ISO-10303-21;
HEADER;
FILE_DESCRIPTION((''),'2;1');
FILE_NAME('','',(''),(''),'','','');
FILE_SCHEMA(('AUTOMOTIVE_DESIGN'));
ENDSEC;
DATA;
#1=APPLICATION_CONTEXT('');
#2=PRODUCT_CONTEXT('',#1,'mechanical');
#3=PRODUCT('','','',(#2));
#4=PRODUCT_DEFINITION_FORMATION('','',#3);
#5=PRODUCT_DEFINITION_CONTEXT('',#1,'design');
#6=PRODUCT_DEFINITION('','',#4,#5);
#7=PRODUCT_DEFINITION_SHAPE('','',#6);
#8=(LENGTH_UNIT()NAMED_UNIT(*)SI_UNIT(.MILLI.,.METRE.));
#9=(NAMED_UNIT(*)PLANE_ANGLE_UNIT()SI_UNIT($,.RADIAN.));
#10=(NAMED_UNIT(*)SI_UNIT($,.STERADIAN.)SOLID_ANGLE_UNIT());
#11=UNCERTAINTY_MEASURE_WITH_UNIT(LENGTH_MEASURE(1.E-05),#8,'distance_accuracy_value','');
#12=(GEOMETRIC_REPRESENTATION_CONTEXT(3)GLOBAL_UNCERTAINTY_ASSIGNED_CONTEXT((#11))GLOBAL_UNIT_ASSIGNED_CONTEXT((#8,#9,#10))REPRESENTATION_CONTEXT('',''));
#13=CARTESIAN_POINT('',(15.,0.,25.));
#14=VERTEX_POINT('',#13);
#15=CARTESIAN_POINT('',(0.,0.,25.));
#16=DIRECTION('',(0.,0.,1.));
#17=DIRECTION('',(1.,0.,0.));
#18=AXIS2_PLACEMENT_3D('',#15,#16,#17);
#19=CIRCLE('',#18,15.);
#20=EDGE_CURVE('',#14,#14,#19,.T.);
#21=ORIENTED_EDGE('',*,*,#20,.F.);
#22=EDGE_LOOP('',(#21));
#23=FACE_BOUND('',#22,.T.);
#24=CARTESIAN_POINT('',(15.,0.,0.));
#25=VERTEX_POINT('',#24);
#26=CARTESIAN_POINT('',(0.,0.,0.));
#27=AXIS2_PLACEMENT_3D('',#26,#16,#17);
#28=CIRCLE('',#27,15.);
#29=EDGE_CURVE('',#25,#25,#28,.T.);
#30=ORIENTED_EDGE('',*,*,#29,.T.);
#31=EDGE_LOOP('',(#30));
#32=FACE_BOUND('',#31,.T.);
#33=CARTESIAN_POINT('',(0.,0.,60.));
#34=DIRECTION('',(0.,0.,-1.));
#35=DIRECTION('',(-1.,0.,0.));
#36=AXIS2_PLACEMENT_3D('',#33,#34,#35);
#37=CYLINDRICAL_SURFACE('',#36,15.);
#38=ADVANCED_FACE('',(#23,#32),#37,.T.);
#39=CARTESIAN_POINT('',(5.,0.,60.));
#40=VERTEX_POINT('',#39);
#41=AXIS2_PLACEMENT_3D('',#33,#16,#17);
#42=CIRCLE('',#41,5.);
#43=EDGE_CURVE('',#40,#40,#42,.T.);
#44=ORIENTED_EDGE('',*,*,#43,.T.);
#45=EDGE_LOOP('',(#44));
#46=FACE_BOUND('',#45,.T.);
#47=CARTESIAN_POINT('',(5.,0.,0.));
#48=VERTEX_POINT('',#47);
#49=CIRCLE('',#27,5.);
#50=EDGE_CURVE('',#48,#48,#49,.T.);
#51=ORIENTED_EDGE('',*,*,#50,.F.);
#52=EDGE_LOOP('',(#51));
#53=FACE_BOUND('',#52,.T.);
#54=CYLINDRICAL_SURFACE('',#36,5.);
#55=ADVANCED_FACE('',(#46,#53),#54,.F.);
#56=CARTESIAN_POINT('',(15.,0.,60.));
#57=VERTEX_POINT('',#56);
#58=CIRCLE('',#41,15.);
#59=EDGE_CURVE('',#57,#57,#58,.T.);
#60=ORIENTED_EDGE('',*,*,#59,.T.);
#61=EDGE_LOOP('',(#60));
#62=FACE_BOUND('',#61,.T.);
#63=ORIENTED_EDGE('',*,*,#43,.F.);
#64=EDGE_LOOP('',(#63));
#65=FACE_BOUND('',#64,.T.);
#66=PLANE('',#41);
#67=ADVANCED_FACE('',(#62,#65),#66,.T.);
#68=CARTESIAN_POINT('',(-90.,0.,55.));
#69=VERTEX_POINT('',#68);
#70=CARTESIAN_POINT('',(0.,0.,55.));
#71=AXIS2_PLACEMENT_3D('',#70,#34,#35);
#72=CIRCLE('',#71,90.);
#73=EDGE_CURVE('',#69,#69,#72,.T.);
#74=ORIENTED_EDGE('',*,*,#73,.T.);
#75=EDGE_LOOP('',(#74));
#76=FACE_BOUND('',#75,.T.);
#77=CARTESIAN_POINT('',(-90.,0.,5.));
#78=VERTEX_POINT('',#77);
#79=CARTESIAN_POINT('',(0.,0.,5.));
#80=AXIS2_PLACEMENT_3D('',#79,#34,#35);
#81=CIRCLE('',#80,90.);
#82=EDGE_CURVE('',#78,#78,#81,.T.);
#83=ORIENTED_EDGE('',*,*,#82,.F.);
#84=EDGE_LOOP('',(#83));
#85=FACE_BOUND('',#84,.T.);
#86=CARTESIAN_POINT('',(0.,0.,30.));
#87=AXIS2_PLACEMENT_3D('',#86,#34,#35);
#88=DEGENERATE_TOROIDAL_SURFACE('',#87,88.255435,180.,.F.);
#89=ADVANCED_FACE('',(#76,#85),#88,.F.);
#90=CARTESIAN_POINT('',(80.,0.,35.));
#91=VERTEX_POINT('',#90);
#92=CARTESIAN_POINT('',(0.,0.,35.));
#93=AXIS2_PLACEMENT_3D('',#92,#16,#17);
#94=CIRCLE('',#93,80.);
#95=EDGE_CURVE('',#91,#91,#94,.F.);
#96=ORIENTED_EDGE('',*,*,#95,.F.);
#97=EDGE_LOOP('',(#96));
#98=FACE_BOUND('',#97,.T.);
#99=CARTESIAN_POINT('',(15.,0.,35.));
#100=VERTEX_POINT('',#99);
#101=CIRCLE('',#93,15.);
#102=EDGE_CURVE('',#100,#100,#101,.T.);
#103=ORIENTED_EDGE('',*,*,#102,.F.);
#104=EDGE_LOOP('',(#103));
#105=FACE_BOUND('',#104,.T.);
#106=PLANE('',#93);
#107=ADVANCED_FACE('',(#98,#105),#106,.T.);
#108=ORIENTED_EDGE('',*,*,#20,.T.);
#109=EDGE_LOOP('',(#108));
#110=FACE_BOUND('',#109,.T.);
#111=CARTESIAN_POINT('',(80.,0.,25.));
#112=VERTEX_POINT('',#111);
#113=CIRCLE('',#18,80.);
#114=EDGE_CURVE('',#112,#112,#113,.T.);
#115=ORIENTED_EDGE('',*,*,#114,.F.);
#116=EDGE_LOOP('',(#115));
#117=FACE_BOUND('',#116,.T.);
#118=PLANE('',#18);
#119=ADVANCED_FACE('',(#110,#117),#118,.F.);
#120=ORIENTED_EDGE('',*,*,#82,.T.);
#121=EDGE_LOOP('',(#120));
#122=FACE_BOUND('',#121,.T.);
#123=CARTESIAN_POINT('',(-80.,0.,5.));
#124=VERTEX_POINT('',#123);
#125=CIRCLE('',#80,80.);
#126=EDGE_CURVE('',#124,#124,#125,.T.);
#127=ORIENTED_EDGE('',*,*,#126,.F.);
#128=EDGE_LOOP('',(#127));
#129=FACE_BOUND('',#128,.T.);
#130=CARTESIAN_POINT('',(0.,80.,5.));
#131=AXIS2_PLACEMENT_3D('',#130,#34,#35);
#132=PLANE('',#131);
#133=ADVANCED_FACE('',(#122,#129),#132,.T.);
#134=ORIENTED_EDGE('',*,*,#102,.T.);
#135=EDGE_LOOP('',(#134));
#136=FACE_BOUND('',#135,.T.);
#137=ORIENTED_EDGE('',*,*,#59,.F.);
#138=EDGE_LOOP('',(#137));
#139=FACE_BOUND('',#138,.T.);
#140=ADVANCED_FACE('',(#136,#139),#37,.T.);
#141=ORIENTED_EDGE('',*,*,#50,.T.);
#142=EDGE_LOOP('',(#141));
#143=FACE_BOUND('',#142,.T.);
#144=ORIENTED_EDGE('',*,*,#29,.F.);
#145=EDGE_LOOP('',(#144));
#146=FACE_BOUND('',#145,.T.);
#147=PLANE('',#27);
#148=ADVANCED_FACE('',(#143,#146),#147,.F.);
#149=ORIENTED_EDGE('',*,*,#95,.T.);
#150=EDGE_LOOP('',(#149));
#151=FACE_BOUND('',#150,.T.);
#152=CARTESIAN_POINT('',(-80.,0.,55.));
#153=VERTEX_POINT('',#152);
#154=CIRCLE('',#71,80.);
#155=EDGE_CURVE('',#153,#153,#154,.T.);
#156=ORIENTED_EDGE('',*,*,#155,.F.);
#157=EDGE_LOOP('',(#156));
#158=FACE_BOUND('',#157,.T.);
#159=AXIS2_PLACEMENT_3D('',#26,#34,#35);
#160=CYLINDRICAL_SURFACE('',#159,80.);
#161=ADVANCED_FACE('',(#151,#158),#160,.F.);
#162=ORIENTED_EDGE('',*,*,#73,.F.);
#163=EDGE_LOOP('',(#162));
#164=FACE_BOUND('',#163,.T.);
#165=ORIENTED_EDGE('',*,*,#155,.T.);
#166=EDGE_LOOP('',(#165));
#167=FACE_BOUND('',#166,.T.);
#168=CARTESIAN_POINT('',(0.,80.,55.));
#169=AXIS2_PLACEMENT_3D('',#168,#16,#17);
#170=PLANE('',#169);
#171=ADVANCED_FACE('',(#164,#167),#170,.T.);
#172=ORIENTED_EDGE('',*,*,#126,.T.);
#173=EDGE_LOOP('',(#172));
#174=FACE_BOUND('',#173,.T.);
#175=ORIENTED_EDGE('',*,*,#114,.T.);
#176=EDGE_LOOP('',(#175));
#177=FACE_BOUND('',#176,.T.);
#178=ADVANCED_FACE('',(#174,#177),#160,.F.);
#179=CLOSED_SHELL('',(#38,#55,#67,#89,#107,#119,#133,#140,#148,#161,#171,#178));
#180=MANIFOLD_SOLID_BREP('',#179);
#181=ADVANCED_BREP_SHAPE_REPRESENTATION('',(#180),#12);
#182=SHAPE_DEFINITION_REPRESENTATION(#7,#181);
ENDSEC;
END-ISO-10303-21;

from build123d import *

# Parameters (mm, degrees)
SCHIZZO1_R                   = 15
SCHIZZO1_R_2                 = 5
ESTRUSIONE_ESTRUSIONE1_DEPTH = 60
SCHIZZO2_R                   = 80
SCHIZZO2_R_2                 = 15
ESTRUSIONE_ESTRUSIONE2_DEPTH = 5


with BuildPart() as part:
    # Schizzo1 → Estrusione-Estrusione1 (new body)
    with BuildSketch(Plane.XY):
        Circle(SCHIZZO1_R)
        Circle(SCHIZZO1_R_2, mode=Mode.SUBTRACT)
    extrude(amount=ESTRUSIONE_ESTRUSIONE1_DEPTH)

    # Schizzo2 → Estrusione-Estrusione2 (add, symmetric)
    with BuildSketch(Plane.XY.offset(30)):
        Circle(SCHIZZO2_R)
        Circle(SCHIZZO2_R_2, mode=Mode.SUBTRACT)
    extrude(amount=ESTRUSIONE_ESTRUSIONE2_DEPTH, both=True)

    # Schizzo3 → Rivoluzione1 (revolve)
    with BuildSketch(Plane(origin=(0, 0, 0), x_dir=(0, 0, -1), z_dir=(1, 0, 0)), mode=Mode.PRIVATE) as rivoluzione1_sk:
        with BuildLine():
            Line((-5, 80), (-55, 80))
            Line((-55, 80), (-55, 90))
            ThreePointArc((-55, 90), (-30, 91.7445653), (-5, 90))
            Line((-5, 90), (-5, 80))
        make_face()
    revolve(rivoluzione1_sk.sketch.rotate(Axis((0, 0, 0), (0, 0, 1)), 90), axis=Axis((0, 0, 0), (0, 0, 1)))


solid = part.part
